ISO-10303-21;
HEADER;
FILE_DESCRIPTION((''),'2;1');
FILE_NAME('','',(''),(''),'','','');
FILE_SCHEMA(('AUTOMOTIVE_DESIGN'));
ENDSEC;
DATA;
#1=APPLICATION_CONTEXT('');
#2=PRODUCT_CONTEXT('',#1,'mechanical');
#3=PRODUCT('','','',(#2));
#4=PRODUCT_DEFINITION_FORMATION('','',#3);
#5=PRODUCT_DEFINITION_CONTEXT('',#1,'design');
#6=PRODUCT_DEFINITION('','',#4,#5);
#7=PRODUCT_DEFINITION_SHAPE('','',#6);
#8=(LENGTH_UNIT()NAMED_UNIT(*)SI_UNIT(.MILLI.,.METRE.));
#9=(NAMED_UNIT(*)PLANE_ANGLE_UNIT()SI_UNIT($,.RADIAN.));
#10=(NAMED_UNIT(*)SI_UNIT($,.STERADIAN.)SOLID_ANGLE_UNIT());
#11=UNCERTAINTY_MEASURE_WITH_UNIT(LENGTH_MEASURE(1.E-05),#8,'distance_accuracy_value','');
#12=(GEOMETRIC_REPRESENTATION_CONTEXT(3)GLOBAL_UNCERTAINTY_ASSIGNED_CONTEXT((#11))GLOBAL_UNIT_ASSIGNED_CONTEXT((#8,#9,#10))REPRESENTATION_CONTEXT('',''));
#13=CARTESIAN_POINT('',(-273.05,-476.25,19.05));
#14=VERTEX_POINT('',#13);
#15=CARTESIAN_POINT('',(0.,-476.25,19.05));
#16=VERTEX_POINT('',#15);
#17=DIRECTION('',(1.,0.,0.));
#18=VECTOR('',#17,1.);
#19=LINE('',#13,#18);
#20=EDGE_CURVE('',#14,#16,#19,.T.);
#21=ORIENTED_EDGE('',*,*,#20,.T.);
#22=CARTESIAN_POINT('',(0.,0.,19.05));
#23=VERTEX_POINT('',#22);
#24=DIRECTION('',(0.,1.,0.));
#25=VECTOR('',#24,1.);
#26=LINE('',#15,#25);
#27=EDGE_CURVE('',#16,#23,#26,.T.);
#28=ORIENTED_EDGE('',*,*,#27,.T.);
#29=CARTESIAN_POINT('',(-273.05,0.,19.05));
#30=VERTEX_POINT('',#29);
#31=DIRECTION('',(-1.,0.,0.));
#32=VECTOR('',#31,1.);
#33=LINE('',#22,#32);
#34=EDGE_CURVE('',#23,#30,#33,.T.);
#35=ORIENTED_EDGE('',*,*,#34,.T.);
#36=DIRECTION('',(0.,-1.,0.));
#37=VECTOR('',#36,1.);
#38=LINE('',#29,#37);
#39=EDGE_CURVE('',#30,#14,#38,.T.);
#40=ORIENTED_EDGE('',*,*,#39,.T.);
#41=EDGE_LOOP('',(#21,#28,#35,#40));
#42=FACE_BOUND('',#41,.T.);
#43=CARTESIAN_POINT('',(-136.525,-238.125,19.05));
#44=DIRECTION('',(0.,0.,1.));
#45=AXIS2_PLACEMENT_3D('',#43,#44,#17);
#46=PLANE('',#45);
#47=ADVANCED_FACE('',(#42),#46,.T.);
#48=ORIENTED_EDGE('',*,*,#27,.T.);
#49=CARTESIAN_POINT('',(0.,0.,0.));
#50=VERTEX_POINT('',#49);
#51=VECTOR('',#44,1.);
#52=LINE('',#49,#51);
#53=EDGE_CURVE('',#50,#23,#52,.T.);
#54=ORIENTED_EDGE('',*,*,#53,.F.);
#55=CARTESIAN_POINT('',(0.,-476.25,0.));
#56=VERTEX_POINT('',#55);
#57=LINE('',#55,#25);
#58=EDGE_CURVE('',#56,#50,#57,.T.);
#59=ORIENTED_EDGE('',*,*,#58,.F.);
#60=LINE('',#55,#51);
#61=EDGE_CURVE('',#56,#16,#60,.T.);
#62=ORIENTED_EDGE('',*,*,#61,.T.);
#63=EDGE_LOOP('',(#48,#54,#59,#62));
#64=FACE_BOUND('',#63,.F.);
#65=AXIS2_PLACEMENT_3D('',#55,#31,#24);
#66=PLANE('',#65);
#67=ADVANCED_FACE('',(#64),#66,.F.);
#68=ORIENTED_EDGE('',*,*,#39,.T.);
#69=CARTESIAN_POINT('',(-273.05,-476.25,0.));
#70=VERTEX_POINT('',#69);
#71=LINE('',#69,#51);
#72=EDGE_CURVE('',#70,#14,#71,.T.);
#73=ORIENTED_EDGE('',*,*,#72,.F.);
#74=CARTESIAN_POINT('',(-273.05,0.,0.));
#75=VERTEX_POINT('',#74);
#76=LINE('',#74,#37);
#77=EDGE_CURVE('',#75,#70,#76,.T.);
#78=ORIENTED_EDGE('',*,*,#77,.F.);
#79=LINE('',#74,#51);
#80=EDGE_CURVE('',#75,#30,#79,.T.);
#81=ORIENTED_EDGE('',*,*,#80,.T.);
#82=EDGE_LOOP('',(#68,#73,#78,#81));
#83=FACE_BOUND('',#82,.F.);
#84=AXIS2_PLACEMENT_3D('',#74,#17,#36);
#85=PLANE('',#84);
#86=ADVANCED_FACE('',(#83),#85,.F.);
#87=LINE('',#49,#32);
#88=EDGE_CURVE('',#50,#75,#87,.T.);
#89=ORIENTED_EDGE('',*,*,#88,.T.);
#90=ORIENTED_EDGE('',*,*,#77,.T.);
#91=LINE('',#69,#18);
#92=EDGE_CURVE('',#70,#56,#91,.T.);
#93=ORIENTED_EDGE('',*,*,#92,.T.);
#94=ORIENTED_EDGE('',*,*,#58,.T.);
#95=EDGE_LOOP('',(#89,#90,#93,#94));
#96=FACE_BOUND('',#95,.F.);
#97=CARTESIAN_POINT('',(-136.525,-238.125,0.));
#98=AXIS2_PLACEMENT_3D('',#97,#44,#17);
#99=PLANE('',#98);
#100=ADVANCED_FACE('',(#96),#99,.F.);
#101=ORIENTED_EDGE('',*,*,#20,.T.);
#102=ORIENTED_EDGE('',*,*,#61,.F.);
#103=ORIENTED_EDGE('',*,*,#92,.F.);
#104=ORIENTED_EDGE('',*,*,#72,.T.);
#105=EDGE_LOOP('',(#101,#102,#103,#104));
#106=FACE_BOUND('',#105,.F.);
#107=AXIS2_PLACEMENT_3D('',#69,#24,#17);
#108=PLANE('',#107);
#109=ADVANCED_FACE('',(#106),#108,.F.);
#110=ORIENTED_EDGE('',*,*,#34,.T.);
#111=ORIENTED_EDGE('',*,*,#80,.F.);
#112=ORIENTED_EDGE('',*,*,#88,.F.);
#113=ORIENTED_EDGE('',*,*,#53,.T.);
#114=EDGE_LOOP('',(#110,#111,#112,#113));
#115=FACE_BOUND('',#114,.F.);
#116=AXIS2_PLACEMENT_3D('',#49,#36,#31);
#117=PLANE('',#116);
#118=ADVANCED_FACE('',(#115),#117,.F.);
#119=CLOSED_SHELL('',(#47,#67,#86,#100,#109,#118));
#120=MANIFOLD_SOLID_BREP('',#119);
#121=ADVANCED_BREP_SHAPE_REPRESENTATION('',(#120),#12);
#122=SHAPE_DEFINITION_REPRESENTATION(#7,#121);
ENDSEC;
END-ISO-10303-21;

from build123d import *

# Parameters (mm, degrees)
F0_W     = 241.3
F0_H     = 444.5
F0_H_2   = 15.875
F0_W_2   = 15.875
F1_DEPTH = 19.05


with BuildPart() as f1:
    # F0 (on Top) → F1 (new body)
    with BuildSketch(Plane.XY):
        with Locations((-136.525, -238.125)):
            Rectangle(F0_W, F0_H)
        with Locations((-136.525, -7.9375)):
            Rectangle(F0_W, F0_H_2)
        with Locations((-265.1125, -238.125)):
            Rectangle(F0_W_2, F0_H)
        with Locations((-136.525, -468.3125)):
            Rectangle(F0_W, F0_H_2)
        with Locations((-7.9375, -238.125)):
            Rectangle(F0_W_2, F0_H)
        with Locations((-265.1125, -468.3125)):
            Rectangle(F0_W_2, F0_H_2)
        with Locations((-7.9375, -468.3125)):
            Rectangle(F0_W_2, F0_H_2)
        with Locations((-7.9375, -7.9375)):
            Rectangle(F0_W_2, F0_H_2)
        with Locations((-265.1125, -7.9375)):
            Rectangle(F0_W_2, F0_H_2)
    extrude(amount=F1_DEPTH)


solid = f1.part
